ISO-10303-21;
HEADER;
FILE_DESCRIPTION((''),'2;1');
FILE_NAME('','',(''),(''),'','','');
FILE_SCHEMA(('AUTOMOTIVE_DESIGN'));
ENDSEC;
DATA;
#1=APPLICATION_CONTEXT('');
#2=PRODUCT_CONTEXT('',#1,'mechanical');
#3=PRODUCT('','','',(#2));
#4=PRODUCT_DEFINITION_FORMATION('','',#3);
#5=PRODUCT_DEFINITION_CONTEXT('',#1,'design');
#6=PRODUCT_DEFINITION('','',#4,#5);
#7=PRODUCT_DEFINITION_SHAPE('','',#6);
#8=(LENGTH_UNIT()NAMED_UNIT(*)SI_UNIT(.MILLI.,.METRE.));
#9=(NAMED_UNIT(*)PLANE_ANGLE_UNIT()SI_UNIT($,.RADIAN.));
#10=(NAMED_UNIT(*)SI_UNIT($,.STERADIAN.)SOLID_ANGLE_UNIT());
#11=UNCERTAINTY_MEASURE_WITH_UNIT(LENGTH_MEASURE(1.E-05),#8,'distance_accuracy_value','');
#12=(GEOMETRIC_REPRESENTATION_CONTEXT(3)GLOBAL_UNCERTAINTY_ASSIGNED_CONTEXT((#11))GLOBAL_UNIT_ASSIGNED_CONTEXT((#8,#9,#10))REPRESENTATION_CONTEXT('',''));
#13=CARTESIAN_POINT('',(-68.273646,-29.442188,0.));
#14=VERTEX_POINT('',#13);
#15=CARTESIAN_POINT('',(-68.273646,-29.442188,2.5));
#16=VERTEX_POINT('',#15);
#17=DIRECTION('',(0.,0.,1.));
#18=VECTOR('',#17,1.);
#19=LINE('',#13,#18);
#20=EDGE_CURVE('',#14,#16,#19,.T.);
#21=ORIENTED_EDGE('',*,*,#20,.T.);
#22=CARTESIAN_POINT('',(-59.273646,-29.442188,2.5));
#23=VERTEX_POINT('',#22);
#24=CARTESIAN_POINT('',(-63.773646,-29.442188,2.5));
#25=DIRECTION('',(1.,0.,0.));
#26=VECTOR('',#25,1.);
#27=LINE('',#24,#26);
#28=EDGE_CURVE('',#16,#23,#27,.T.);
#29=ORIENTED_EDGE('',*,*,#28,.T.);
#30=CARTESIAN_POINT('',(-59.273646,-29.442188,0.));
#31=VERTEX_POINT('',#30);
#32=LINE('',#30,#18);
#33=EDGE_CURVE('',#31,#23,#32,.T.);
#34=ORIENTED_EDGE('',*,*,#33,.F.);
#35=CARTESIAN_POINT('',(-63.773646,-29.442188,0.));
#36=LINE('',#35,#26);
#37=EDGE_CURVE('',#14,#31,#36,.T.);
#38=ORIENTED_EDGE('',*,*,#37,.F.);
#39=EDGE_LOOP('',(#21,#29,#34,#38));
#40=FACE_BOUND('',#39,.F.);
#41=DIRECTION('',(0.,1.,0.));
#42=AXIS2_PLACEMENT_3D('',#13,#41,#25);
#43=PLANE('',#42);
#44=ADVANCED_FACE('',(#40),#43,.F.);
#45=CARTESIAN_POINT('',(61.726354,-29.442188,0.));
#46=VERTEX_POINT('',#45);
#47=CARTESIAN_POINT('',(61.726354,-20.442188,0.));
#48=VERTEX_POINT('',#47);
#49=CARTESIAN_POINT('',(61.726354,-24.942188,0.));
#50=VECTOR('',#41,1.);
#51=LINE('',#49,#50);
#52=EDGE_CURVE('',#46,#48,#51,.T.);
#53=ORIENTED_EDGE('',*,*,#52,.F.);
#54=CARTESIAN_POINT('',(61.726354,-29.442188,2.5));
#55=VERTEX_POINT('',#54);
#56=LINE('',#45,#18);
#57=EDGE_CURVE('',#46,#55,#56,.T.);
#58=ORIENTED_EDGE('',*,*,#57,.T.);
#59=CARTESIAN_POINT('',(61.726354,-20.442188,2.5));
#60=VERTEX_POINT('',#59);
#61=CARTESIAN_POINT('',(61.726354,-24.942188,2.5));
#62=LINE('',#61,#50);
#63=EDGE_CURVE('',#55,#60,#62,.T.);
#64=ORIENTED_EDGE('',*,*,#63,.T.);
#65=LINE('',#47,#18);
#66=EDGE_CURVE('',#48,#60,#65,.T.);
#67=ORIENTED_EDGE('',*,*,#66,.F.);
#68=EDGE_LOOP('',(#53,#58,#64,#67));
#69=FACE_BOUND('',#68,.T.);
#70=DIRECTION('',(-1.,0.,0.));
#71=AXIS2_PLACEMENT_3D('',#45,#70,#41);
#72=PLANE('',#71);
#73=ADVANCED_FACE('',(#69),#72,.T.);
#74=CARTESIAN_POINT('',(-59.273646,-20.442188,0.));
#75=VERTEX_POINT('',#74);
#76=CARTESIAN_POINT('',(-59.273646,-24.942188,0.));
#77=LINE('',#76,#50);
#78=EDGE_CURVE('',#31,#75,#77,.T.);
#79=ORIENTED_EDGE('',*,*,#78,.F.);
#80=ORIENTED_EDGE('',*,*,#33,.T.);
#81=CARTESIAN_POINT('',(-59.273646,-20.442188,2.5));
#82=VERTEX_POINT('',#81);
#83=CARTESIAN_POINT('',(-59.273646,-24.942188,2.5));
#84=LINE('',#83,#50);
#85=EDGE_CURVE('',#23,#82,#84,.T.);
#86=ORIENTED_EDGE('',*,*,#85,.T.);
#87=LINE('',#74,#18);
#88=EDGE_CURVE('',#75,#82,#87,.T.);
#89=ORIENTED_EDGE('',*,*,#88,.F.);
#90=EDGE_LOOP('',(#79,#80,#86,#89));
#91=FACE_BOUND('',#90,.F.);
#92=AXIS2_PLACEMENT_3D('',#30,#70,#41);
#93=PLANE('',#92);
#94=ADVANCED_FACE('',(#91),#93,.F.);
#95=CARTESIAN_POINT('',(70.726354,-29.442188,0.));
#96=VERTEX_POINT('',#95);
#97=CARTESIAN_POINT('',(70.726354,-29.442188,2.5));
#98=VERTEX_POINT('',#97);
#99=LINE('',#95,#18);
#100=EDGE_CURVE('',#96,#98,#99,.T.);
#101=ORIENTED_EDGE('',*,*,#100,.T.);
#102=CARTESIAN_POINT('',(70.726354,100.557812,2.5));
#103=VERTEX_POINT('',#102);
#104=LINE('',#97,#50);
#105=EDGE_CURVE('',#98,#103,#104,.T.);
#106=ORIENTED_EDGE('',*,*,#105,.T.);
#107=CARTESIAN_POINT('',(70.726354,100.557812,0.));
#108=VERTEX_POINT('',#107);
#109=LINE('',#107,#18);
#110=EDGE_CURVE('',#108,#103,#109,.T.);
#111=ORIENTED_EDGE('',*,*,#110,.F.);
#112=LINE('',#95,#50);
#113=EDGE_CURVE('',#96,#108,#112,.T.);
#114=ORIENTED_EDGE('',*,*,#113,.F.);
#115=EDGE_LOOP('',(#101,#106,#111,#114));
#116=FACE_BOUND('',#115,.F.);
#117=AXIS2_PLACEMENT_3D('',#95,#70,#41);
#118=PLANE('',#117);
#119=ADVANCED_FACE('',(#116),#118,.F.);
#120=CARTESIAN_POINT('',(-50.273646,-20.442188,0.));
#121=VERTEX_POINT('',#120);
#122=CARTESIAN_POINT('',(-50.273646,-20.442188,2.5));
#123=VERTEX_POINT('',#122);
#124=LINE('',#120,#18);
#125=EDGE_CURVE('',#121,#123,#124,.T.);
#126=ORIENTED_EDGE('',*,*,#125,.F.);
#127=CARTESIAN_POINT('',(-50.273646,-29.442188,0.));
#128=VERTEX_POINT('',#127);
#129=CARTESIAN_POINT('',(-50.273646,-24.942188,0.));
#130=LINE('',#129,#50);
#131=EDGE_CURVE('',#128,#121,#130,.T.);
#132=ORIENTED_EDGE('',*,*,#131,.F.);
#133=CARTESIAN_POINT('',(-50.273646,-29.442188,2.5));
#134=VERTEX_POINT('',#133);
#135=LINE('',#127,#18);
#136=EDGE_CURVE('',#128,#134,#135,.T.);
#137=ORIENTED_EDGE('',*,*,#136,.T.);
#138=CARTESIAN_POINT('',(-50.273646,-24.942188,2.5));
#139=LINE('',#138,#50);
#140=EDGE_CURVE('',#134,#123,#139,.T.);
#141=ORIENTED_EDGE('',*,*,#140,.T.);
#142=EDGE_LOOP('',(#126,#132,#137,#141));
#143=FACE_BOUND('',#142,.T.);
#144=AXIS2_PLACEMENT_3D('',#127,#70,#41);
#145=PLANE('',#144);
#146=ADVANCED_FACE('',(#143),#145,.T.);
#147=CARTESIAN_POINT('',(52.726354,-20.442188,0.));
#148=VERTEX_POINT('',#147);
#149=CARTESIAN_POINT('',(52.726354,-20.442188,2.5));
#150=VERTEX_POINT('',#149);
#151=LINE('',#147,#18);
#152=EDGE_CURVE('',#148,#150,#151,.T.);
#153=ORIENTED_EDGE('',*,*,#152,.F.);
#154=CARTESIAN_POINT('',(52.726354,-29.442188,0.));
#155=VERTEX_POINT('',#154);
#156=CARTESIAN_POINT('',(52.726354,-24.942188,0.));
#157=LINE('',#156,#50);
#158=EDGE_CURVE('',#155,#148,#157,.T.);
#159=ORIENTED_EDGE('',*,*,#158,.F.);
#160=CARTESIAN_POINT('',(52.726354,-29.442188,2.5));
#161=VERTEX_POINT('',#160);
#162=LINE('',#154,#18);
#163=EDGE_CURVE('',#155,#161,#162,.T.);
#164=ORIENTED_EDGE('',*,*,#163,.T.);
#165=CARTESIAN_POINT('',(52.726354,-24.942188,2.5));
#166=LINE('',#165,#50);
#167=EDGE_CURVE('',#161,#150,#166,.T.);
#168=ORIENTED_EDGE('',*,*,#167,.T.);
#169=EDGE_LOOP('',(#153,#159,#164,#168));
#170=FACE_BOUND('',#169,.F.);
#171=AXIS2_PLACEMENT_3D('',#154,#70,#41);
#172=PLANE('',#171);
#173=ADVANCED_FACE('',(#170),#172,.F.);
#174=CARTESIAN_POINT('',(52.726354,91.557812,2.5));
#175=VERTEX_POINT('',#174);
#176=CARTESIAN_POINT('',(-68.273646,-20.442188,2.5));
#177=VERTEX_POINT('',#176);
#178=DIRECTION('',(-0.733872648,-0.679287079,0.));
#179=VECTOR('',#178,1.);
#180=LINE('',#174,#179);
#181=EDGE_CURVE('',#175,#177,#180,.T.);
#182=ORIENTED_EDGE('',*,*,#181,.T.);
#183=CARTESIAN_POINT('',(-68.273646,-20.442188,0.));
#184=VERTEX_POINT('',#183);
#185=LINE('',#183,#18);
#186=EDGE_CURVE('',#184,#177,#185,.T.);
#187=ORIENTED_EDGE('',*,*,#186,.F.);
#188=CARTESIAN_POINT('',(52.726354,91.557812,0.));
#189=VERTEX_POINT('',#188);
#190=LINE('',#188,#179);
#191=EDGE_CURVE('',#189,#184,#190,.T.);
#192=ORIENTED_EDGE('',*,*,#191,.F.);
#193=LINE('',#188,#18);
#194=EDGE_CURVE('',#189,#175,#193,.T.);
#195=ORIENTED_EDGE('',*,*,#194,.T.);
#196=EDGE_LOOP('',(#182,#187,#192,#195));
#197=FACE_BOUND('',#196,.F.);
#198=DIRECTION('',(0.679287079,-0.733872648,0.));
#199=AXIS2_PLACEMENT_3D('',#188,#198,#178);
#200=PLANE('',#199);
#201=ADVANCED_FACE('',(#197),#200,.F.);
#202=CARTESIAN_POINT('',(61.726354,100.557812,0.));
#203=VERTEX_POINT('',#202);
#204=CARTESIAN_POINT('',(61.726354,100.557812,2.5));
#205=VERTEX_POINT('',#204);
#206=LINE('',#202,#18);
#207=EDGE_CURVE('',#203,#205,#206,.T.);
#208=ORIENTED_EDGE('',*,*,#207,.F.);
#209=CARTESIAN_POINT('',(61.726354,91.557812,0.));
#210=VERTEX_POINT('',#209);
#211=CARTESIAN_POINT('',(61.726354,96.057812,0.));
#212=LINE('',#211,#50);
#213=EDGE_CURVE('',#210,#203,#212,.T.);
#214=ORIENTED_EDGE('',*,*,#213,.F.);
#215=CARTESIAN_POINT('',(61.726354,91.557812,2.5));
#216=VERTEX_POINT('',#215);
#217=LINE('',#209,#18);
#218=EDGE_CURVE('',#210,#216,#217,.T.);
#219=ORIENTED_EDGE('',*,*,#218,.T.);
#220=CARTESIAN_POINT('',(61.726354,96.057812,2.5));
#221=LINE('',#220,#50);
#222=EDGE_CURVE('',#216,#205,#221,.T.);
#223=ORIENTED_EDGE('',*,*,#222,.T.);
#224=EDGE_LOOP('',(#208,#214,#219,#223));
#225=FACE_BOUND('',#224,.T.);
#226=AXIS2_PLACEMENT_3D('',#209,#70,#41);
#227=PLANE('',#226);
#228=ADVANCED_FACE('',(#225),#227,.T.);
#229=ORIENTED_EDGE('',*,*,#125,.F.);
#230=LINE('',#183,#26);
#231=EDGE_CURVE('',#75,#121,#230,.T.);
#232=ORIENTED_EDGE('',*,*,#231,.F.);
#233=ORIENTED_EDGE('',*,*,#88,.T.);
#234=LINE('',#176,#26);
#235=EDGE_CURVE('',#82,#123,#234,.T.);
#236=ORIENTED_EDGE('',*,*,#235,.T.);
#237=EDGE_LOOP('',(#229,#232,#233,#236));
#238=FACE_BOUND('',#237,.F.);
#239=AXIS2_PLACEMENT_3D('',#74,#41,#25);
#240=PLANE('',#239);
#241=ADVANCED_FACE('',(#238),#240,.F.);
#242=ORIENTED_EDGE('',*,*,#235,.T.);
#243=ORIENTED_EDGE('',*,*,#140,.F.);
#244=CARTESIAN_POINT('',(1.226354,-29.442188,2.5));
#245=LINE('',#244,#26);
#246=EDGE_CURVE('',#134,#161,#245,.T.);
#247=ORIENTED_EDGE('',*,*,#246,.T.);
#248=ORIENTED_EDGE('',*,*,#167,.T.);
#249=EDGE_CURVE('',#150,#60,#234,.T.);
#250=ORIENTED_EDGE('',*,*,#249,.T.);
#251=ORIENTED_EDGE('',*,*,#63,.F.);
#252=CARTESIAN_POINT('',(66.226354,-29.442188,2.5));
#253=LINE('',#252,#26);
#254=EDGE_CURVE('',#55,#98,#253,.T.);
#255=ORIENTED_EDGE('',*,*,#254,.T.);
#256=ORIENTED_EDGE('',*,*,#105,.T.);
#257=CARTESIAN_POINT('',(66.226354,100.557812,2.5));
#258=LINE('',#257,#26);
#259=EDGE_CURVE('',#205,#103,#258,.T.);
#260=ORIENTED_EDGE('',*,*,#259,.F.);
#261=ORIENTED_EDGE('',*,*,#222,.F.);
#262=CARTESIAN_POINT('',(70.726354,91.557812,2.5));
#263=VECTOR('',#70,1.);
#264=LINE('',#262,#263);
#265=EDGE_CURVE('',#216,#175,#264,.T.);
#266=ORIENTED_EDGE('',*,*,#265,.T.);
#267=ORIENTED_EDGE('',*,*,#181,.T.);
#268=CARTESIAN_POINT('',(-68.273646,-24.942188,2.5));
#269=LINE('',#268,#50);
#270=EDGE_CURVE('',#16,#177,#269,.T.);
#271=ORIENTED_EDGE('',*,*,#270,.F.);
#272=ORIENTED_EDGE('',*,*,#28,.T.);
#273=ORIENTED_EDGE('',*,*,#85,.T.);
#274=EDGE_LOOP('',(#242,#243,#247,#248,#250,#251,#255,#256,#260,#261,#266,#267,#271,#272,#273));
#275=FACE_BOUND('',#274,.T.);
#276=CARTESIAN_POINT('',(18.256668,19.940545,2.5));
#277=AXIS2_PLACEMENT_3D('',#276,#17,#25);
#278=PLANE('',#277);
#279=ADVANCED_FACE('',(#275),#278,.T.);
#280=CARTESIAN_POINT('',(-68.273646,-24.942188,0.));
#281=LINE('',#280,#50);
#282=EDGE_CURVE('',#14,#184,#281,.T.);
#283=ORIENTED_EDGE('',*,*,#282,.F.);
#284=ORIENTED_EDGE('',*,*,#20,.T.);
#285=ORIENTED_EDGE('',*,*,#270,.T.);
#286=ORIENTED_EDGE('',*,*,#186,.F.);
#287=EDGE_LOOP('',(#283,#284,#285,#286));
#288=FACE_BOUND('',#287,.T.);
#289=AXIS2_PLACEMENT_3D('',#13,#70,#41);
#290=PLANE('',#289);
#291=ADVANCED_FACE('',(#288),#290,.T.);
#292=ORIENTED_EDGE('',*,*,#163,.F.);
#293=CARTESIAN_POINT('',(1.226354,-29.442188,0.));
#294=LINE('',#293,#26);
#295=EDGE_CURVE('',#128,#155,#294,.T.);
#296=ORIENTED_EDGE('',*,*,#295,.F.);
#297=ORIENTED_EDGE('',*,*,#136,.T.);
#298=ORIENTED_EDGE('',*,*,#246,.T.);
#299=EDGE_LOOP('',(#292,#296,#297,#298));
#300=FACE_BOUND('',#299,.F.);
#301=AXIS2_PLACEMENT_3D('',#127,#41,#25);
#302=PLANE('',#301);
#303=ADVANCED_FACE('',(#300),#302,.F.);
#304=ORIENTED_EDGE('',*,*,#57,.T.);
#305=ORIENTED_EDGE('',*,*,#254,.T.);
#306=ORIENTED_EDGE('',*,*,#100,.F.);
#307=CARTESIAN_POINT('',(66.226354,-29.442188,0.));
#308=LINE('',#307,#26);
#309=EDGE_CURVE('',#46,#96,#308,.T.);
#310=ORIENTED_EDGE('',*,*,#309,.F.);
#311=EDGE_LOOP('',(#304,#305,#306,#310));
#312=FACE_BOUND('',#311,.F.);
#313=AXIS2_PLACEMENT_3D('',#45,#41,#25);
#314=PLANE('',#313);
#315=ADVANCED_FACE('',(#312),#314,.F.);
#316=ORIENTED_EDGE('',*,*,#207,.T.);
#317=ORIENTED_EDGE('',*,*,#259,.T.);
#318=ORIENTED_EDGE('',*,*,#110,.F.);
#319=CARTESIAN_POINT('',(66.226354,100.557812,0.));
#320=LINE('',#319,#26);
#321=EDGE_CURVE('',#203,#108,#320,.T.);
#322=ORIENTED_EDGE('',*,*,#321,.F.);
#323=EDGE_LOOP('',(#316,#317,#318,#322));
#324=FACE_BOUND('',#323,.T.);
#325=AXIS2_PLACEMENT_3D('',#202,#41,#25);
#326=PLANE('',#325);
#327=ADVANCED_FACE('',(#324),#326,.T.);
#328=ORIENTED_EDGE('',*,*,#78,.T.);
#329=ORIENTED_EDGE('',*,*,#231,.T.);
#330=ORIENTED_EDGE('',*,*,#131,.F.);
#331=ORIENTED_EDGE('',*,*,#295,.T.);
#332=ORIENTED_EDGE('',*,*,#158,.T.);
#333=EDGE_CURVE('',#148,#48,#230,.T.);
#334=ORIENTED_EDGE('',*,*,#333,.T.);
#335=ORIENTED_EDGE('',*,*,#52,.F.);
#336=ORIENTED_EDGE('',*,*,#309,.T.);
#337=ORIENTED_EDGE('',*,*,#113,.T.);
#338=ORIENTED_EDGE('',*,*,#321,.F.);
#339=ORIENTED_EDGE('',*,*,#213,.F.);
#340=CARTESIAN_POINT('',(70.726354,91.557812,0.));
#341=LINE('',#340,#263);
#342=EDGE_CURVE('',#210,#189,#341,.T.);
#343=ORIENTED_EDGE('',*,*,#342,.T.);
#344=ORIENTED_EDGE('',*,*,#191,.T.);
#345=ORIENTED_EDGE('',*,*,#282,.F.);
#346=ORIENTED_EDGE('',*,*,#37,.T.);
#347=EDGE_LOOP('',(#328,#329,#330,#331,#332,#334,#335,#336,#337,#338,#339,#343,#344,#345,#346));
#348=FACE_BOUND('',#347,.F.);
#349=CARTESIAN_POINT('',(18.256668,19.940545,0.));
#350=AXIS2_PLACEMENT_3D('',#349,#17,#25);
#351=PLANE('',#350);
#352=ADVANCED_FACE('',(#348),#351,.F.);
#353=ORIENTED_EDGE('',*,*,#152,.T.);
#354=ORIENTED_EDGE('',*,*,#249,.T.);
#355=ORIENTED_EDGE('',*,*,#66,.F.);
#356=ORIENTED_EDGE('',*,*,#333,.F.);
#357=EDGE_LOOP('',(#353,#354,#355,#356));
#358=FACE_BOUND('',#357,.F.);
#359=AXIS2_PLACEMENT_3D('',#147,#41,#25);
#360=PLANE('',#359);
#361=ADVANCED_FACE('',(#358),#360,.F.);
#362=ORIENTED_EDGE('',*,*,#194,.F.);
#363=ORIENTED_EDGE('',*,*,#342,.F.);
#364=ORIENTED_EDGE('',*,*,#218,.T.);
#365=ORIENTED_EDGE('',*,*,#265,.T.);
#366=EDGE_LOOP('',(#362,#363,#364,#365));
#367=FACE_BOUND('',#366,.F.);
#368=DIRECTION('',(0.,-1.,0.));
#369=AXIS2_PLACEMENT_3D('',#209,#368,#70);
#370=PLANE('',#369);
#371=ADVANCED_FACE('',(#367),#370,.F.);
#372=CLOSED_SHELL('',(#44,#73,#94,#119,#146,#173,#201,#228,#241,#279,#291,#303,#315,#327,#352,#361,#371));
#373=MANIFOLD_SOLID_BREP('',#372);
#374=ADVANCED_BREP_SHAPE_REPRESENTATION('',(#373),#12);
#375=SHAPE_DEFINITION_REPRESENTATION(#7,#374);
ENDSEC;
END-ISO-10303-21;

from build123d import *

# Parameters (mm, degrees)
F0_W     = 9
F0_H     = 9
F0_W_2   = 103
F1_DEPTH = 2.5


with BuildPart() as f1:
    # F0 (on Top) → F1 (new body)
    with BuildSketch(Plane.XY):
        Polygon((61.726354, -20.442188), (70.726354, -20.442188), (70.726354, 91.557812), (61.726354, 91.557812), (52.726354, 91.557812), (-68.273646, -20.442188), (-59.273646, -20.442188), (-50.273646, -20.442188), (52.726354, -20.442188), align=None)
        with Locations((66.226354, 96.057812)):
            Rectangle(F0_W, F0_H)
        with Locations((-63.773646, -24.942188)):
            Rectangle(F0_W, F0_H)
        with Locations((1.226354, -24.942188)):
            Rectangle(F0_W_2, F0_H)
        with Locations((66.226354, -24.942188)):
            Rectangle(F0_W, F0_H)
    extrude(amount=F1_DEPTH)


solid = f1.part
